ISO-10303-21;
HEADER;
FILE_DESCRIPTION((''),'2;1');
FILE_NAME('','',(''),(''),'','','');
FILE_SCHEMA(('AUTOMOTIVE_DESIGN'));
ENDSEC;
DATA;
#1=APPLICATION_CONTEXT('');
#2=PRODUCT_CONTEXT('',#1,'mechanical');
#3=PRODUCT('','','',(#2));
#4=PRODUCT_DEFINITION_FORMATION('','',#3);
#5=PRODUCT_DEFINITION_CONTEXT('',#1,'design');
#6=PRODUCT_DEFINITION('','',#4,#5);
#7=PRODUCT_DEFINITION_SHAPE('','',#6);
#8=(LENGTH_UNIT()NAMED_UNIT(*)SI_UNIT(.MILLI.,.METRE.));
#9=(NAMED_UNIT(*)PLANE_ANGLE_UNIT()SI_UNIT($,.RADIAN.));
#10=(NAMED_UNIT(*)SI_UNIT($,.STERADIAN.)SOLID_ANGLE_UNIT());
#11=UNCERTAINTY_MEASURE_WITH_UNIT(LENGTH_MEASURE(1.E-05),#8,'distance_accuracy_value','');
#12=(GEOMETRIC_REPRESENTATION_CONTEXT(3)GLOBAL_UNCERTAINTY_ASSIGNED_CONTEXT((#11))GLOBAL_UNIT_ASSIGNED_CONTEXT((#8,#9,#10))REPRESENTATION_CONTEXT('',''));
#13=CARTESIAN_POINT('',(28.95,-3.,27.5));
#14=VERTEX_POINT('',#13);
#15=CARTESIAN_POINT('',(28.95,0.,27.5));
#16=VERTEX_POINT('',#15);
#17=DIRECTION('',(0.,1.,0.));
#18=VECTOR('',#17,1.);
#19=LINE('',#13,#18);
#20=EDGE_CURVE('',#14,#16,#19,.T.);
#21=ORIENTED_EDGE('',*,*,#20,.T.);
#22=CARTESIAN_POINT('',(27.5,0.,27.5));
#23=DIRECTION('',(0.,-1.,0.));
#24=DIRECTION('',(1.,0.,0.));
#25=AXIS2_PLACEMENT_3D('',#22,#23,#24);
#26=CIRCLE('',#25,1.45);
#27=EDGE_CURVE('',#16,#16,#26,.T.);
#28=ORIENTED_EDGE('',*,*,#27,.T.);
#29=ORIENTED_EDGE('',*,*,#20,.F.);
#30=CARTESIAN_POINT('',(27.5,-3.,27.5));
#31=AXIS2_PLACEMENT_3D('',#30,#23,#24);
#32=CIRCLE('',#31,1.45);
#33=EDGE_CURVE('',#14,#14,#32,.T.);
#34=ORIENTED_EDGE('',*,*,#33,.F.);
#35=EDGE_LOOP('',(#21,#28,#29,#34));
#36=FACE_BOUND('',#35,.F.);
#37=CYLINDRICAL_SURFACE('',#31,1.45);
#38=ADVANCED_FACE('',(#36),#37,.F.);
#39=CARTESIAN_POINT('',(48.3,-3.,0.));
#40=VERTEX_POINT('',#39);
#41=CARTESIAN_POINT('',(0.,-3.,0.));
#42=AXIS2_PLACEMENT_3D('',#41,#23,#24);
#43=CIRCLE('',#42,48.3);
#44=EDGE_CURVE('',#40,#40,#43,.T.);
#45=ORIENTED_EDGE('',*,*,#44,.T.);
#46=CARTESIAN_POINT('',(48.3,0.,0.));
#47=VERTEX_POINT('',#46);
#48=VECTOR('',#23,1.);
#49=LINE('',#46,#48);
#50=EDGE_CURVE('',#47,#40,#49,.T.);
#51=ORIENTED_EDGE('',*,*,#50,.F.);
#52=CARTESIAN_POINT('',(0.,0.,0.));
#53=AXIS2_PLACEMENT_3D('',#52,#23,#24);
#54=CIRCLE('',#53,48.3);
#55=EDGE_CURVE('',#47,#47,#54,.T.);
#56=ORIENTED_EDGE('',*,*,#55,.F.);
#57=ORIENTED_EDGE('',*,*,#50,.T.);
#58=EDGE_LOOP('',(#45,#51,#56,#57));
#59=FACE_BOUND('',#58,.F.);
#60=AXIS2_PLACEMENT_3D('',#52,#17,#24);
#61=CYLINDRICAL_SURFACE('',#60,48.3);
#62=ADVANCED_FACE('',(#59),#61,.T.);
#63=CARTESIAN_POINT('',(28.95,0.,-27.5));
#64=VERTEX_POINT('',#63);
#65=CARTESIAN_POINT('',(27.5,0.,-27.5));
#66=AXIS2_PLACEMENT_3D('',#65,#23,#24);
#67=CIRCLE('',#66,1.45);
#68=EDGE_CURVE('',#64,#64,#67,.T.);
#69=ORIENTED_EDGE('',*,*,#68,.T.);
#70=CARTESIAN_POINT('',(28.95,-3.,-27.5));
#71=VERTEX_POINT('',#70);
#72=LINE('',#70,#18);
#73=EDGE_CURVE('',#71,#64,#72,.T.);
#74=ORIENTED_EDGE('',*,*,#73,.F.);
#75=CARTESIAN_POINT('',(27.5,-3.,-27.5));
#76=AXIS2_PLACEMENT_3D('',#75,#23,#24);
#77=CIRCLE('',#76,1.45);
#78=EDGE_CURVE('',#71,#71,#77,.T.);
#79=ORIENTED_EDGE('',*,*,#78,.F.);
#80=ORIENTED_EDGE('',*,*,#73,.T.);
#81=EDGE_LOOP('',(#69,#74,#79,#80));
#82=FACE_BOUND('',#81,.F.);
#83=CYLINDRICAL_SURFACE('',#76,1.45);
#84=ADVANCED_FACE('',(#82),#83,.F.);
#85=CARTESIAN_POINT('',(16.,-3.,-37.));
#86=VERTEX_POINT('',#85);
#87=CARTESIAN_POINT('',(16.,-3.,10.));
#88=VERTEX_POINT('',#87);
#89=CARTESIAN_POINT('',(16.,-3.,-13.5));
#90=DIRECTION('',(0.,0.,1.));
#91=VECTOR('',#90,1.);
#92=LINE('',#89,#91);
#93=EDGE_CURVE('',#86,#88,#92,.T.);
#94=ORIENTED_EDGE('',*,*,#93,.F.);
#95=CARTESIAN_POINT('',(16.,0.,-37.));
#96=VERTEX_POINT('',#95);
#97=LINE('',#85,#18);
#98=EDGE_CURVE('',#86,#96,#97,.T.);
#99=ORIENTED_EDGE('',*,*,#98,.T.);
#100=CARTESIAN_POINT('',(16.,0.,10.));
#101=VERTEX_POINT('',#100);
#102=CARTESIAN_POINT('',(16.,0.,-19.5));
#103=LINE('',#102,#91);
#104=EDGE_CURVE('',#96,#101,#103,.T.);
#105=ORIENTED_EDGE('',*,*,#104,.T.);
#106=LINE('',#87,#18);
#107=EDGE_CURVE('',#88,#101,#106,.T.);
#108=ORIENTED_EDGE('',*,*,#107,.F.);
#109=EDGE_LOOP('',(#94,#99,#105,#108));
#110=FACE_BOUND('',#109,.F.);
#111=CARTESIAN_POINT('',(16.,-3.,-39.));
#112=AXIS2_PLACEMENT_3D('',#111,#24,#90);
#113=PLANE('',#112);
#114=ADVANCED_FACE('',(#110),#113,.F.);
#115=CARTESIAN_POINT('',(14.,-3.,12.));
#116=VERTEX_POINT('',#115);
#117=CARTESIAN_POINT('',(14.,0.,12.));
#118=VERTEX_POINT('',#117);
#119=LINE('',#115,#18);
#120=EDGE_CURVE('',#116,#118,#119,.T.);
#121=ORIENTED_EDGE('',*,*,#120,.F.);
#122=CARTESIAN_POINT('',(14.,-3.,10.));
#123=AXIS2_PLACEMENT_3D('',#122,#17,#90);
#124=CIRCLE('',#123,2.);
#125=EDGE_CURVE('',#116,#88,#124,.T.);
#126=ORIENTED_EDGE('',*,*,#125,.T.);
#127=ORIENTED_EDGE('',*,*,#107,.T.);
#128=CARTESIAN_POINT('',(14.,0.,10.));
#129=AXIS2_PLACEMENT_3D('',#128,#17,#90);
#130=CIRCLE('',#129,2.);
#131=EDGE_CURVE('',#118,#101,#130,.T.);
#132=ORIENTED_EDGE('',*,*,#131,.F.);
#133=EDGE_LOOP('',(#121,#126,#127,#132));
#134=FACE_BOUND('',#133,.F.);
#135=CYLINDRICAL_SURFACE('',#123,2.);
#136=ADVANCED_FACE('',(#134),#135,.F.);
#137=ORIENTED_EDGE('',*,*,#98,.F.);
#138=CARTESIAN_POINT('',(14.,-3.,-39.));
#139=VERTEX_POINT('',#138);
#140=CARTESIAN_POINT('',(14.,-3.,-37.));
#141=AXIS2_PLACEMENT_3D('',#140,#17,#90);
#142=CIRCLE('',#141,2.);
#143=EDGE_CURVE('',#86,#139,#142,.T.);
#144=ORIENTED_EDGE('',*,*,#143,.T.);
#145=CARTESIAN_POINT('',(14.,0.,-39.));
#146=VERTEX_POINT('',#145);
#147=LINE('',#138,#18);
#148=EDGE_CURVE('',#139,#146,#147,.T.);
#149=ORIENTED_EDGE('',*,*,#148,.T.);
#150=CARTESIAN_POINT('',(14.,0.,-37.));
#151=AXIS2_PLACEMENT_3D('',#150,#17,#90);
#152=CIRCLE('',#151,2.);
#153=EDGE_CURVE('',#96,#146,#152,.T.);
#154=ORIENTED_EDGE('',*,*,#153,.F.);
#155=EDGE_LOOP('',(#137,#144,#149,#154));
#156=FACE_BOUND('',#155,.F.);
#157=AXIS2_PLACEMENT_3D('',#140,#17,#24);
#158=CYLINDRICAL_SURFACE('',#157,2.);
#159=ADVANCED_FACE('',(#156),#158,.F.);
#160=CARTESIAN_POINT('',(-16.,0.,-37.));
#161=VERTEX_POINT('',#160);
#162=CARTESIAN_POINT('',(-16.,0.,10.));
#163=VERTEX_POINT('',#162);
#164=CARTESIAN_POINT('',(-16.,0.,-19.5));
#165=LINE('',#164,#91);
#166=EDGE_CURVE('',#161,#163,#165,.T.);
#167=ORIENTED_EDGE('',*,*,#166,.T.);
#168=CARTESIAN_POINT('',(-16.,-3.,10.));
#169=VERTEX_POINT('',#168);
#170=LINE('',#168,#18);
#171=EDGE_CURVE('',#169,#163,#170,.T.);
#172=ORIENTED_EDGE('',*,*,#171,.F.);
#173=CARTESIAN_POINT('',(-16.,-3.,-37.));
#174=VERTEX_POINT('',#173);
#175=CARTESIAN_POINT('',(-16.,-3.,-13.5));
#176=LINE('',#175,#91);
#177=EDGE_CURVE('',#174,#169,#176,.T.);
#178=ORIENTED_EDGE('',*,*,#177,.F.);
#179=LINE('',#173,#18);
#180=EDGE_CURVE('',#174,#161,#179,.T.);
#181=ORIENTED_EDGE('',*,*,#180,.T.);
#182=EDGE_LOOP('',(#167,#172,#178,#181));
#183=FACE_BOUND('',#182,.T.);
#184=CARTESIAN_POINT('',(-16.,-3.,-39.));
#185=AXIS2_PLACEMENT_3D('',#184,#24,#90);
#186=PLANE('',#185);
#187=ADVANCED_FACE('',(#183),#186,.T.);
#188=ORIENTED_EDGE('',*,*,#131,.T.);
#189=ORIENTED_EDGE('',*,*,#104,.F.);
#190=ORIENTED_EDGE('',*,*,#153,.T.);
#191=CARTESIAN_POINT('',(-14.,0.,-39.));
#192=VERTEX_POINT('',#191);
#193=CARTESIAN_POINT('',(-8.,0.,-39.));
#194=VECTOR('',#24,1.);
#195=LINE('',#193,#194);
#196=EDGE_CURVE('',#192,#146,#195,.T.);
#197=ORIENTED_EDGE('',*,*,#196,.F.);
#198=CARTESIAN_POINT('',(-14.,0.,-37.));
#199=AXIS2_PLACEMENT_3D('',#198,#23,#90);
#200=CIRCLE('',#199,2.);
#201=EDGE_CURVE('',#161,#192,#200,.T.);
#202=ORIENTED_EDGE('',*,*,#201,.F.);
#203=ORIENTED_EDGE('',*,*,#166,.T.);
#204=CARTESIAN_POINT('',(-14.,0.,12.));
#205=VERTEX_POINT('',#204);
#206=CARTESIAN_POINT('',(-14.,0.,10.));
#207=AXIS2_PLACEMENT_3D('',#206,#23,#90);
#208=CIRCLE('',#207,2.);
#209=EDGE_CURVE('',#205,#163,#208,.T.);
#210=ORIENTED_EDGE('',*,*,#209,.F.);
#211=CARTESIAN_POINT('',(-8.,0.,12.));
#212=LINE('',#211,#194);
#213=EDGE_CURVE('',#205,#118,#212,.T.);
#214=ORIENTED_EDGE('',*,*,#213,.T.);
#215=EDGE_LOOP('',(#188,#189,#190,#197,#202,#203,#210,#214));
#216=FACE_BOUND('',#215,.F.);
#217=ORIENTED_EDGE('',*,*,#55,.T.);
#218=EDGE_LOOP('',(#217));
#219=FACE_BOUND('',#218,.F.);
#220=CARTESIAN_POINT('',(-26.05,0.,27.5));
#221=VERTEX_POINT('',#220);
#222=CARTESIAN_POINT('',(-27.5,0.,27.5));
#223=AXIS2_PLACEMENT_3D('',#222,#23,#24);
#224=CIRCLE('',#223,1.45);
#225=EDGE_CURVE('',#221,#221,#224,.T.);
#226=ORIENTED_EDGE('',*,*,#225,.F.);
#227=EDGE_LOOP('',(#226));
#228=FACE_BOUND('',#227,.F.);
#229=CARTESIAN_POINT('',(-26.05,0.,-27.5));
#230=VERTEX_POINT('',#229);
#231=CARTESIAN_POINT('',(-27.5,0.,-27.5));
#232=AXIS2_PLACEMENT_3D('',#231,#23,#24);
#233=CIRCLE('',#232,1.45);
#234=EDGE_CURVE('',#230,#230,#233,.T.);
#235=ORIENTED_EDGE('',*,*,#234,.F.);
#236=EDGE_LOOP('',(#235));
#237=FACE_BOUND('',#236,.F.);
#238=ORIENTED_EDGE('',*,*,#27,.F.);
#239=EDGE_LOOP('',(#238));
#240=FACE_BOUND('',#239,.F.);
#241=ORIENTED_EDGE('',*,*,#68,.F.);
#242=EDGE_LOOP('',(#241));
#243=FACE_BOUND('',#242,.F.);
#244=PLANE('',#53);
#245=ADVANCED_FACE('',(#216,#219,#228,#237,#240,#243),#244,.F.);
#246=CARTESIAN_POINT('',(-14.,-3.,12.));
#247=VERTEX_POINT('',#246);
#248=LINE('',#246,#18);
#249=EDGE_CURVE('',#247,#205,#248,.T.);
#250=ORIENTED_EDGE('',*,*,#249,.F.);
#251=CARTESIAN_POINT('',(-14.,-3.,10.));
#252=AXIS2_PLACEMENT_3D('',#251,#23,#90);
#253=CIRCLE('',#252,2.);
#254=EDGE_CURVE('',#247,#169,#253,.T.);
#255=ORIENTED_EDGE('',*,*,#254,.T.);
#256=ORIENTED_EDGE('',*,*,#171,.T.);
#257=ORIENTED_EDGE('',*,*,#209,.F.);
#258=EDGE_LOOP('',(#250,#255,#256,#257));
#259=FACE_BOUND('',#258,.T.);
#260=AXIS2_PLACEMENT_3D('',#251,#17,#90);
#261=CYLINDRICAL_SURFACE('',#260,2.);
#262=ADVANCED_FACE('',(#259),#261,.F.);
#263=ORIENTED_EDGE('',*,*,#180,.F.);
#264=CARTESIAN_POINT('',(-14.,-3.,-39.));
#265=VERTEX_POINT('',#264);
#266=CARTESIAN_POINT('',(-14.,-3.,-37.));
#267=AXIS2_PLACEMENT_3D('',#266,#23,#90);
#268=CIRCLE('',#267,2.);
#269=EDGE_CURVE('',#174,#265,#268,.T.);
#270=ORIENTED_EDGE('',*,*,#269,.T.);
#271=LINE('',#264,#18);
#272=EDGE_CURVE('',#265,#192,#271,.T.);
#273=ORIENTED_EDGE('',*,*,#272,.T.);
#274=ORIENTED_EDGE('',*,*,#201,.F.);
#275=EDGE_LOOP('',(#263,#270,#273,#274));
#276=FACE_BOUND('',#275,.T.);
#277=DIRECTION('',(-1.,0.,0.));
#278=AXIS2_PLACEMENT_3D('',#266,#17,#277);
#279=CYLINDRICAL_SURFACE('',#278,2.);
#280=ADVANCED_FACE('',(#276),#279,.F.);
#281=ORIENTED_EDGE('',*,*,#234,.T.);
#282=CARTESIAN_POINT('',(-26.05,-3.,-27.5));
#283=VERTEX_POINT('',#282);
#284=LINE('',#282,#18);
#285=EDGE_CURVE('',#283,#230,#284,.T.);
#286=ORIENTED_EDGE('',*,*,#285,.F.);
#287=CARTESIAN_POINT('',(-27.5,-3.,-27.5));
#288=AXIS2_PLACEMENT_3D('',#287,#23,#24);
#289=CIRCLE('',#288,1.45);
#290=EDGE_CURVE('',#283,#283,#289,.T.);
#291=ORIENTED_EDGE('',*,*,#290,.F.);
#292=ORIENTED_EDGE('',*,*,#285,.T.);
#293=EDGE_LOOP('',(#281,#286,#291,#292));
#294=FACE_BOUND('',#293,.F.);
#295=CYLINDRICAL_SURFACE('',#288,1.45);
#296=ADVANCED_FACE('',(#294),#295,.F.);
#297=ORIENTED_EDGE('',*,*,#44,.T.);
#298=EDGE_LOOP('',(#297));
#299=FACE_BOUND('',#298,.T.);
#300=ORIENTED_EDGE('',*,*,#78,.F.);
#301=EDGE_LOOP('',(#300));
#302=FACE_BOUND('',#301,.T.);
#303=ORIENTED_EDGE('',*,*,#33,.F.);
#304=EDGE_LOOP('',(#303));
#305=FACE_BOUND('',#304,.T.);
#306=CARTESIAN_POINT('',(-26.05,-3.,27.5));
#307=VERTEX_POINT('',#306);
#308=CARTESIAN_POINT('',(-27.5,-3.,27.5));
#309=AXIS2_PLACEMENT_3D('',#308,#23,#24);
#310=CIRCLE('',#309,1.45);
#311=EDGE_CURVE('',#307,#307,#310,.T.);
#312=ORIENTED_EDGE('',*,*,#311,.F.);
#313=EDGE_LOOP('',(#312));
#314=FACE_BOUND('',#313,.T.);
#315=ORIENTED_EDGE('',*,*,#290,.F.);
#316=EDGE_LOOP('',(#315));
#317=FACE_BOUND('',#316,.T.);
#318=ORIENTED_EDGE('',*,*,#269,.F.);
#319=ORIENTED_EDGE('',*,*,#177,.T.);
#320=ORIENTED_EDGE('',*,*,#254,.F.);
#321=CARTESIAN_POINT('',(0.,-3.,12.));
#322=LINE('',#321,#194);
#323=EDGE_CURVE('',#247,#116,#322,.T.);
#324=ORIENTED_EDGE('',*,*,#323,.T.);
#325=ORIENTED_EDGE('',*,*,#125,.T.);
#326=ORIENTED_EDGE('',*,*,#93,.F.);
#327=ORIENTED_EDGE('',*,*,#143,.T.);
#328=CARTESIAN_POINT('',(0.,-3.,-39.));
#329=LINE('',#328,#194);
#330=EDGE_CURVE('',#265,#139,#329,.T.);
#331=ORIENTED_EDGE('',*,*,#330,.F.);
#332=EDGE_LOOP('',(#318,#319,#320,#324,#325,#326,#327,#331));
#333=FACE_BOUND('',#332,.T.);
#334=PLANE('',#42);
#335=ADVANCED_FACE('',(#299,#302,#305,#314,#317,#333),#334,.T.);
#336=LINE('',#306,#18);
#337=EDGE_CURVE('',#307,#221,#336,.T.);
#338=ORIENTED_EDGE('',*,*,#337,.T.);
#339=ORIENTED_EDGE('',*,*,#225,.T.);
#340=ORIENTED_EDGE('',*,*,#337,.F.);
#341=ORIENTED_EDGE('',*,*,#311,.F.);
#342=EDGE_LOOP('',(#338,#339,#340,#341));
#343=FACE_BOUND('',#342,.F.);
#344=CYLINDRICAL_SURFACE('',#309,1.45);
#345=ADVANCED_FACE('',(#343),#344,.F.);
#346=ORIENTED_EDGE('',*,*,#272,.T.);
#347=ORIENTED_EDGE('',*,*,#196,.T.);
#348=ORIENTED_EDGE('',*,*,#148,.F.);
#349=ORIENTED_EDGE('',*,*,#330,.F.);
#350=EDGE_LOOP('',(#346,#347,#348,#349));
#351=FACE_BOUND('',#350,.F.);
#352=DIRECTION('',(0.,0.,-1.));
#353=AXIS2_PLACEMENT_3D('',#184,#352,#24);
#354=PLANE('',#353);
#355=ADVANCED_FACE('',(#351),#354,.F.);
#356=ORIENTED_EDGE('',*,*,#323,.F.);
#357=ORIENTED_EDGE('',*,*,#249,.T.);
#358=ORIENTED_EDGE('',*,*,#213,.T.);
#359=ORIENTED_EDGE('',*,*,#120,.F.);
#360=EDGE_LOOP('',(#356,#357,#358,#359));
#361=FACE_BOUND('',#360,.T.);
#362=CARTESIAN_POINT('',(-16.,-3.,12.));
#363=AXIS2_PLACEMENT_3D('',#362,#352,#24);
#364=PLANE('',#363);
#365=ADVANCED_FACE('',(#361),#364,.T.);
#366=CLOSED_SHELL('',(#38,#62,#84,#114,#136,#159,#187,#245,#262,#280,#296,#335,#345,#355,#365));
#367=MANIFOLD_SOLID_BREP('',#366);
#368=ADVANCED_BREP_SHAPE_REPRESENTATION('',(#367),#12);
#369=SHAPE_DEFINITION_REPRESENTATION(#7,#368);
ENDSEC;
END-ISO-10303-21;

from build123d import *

# Parameters (mm, degrees)
F0_R     = 48.3
F1_DEPTH = 3
F2_R     = 1.25
F2_R_2   = 2.5
F3_DEPTH = 3.001
F4_R     = 1.45
F5_DEPTH = 3.001
F6_R     = 1
F7_DEPTH = 3.001
F8_W     = 32
F8_H     = 51
F9_DEPTH = 3.001
F10_R    = 2
F11_R    = 2
F12_R    = 2


with BuildPart() as f1:
    # F0 (on Front) → F1 (new body)
    with BuildSketch(Plane.XZ):
        Circle(F0_R)
    extrude(amount=F1_DEPTH)

    # F2 (on face) → F3 (cut, through all)
    with BuildSketch(Plane.XZ.offset(3)):
        with Locations((-8, 0)):
            Circle(F2_R)
        with Locations((8, 0)):
            Circle(F2_R)
        Circle(F2_R_2)
    extrude(amount=-F3_DEPTH, mode=Mode.SUBTRACT)

    # F4 (on face) → F5 (cut, through all)
    with BuildSketch(Plane.XZ.offset(3)):
        with Locations((-27.5, 27.5)):
            Circle(F4_R)
        with Locations((27.5, 27.5)):
            Circle(F4_R)
        with Locations((-27.5, -27.5)):
            Circle(F4_R)
        with Locations((27.5, -27.5)):
            Circle(F4_R)
    extrude(amount=-F5_DEPTH, mode=Mode.SUBTRACT)

    # F6 (on face) → F7 (cut, through all)
    with BuildSketch(Plane.XZ.offset(3)):
        with BuildLine():
            Line((-10.05, -33), (10.05, -33))
            Line((10.05, -33), (10.05, -5.589946))
            ThreePointArc((10.05, -5.589946), (0, -11.5), (-10.05, -5.589946))
            Line((-10.05, -5.589946), (-10.05, -33))
        make_face()
        with BuildLine():
            Line((10.05, 0), (10.05, -5.589946))
            ThreePointArc((10.05, -5.589946), (11.131599, -2.887473), (11.5, 0))
            ThreePointArc((11.5, 0), (-2.887473, 11.131599), (-10.05, -5.589946))
            Line((-10.05, -5.589946), (-10.05, 0))
            Line((-10.05, 0), (10.05, 0))
        make_face()
        with Locations((-13.5, -6.5)):
            Circle(F6_R)
        with Locations((-13.5, -14.5)):
            Circle(F6_R)
        with Locations((-13.5, -22.5)):
            Circle(F6_R)
        with Locations((-13.5, -30.5)):
            Circle(F6_R)
        with Locations((13.5, -6.5)):
            Circle(F6_R)
        with Locations((13.5, -14.5)):
            Circle(F6_R)
        with Locations((13.5, -22.5)):
            Circle(F6_R)
        with Locations((13.5, -30.5)):
            Circle(F6_R)
        with Locations((-8, -36)):
            Circle(F6_R)
        with Locations((8, -36)):
            Circle(F6_R)
    extrude(amount=-F7_DEPTH, mode=Mode.SUBTRACT)

    # F8 (on face) → F9 (cut, through all)
    with BuildSketch(Plane.XZ.offset(3)):
        with Locations((0, -13.5)):
            Rectangle(F8_W, F8_H)
    extrude(amount=-F9_DEPTH, mode=Mode.SUBTRACT)

    # F10
    f10_edges = [f1.edges().sort_by_distance(p)[0] for p in [
        (-16, -1.5, 12),
    ]]
    fillet(f10_edges, radius=F10_R)

    # F11
    f11_edges = [f1.edges().sort_by_distance(p)[0] for p in [
        (16, -1.5, 12),
    ]]
    fillet(f11_edges, radius=F11_R)

    # F12
    f12_edges = [f1.edges().sort_by_distance(p)[0] for p in [
        (16, -1.5, -39),
        (-16, -1.5, -39),
    ]]
    fillet(f12_edges, radius=F12_R)


solid = f1.part
